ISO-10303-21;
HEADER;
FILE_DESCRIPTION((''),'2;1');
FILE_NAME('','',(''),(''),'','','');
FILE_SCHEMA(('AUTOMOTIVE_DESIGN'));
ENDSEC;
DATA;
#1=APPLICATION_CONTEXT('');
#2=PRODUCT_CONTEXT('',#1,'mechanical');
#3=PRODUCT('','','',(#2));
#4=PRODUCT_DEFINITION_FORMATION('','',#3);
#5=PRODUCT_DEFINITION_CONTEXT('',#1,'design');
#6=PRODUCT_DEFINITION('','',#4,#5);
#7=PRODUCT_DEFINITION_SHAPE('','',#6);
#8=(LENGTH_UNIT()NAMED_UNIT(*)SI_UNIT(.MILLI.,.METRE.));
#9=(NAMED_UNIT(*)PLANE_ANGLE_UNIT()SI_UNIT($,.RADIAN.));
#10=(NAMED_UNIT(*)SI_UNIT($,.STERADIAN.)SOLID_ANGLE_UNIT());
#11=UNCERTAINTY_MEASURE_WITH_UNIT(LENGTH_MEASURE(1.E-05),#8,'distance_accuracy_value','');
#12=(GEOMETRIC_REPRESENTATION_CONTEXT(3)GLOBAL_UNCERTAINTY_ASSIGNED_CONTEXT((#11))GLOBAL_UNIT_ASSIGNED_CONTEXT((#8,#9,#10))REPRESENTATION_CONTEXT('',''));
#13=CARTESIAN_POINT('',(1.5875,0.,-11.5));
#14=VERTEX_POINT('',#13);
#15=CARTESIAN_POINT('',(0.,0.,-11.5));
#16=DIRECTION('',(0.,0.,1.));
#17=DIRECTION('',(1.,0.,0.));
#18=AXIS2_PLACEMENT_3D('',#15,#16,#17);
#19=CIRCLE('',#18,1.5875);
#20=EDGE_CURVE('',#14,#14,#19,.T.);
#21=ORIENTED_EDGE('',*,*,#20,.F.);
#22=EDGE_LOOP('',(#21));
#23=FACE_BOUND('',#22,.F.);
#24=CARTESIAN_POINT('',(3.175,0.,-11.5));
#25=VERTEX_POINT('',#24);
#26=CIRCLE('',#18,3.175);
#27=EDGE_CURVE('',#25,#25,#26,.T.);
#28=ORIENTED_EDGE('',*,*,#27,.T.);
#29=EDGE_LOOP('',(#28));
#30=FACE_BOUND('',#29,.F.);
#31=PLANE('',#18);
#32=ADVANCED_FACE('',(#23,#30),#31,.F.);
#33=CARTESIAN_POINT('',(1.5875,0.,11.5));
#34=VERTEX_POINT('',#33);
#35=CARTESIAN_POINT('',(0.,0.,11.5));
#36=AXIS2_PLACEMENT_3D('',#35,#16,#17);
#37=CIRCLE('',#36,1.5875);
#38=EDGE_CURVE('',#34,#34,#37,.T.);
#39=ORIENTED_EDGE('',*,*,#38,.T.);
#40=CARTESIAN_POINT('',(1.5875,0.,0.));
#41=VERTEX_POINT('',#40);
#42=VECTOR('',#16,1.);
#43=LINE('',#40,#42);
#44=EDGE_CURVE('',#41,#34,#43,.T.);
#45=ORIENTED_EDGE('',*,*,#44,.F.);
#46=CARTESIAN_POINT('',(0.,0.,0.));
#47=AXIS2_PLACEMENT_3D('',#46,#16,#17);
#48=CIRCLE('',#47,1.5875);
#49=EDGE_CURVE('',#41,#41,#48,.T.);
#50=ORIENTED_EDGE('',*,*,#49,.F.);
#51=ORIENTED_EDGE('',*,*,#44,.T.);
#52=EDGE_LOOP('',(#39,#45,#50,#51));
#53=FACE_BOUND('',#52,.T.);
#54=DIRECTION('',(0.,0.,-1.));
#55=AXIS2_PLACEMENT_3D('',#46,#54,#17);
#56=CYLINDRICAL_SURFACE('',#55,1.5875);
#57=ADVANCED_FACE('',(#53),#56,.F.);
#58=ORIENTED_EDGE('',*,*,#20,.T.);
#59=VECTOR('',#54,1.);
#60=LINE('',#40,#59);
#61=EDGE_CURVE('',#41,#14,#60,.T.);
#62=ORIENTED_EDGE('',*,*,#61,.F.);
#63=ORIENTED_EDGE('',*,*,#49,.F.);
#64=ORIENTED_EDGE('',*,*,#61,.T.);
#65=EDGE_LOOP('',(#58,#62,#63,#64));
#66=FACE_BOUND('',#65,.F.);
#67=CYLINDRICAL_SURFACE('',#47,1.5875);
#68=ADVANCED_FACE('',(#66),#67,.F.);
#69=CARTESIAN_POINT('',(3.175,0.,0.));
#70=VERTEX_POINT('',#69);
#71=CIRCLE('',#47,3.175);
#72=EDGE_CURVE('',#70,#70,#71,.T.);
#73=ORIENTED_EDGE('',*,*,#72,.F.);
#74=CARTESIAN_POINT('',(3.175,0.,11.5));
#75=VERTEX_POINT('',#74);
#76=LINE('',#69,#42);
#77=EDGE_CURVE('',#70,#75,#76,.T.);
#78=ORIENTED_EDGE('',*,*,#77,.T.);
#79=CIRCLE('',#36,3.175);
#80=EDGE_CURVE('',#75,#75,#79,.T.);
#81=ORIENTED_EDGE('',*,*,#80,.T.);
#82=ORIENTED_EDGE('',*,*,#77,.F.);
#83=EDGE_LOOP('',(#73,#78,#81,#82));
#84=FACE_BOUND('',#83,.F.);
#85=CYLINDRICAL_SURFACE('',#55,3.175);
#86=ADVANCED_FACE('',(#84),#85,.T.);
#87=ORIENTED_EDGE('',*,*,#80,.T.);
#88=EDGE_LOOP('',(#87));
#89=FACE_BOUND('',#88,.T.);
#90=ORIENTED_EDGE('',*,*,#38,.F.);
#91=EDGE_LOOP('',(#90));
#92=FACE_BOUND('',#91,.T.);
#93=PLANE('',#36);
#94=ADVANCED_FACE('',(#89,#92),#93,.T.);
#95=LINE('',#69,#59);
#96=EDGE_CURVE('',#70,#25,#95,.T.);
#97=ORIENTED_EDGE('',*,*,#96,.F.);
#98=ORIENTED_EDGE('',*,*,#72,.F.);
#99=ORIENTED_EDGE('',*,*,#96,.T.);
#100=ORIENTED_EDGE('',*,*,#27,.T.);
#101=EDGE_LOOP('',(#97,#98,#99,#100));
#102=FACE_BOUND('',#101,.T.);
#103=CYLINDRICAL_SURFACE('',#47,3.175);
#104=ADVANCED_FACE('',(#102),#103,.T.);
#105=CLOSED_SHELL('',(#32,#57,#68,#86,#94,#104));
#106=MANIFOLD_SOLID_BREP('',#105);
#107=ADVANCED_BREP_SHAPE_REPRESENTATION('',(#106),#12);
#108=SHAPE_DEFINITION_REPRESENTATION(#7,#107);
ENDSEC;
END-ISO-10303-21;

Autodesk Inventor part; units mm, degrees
ref_plane "YZ Plane" through (0, 0, 0) normal (1, 0, 0) x (0, 1, 0)
ref_plane "XZ Plane" through (0, 0, 0) normal (0, 1, 0) x (-1, 0, 0)
ref_plane "XY Plane" through (0, 0, 0) normal (0, 0, 1) x (1, 0, 0)
sketch "Sketch1" plane through (0, 0, 0) normal (0, 0, 1) x (1, 0, 0)
  circle A0 centre (0, 0) radius 1.5875
  circle A1 centre (0, 0) radius 3.175
  dimension "d0" = 3.175
  dimension "d1" = 6.35
extrude "Extrusion1" add sketch "Sketch1" along normal mid plane 23
properties part number "magnet_spacer" material "Aluminum 6061"
